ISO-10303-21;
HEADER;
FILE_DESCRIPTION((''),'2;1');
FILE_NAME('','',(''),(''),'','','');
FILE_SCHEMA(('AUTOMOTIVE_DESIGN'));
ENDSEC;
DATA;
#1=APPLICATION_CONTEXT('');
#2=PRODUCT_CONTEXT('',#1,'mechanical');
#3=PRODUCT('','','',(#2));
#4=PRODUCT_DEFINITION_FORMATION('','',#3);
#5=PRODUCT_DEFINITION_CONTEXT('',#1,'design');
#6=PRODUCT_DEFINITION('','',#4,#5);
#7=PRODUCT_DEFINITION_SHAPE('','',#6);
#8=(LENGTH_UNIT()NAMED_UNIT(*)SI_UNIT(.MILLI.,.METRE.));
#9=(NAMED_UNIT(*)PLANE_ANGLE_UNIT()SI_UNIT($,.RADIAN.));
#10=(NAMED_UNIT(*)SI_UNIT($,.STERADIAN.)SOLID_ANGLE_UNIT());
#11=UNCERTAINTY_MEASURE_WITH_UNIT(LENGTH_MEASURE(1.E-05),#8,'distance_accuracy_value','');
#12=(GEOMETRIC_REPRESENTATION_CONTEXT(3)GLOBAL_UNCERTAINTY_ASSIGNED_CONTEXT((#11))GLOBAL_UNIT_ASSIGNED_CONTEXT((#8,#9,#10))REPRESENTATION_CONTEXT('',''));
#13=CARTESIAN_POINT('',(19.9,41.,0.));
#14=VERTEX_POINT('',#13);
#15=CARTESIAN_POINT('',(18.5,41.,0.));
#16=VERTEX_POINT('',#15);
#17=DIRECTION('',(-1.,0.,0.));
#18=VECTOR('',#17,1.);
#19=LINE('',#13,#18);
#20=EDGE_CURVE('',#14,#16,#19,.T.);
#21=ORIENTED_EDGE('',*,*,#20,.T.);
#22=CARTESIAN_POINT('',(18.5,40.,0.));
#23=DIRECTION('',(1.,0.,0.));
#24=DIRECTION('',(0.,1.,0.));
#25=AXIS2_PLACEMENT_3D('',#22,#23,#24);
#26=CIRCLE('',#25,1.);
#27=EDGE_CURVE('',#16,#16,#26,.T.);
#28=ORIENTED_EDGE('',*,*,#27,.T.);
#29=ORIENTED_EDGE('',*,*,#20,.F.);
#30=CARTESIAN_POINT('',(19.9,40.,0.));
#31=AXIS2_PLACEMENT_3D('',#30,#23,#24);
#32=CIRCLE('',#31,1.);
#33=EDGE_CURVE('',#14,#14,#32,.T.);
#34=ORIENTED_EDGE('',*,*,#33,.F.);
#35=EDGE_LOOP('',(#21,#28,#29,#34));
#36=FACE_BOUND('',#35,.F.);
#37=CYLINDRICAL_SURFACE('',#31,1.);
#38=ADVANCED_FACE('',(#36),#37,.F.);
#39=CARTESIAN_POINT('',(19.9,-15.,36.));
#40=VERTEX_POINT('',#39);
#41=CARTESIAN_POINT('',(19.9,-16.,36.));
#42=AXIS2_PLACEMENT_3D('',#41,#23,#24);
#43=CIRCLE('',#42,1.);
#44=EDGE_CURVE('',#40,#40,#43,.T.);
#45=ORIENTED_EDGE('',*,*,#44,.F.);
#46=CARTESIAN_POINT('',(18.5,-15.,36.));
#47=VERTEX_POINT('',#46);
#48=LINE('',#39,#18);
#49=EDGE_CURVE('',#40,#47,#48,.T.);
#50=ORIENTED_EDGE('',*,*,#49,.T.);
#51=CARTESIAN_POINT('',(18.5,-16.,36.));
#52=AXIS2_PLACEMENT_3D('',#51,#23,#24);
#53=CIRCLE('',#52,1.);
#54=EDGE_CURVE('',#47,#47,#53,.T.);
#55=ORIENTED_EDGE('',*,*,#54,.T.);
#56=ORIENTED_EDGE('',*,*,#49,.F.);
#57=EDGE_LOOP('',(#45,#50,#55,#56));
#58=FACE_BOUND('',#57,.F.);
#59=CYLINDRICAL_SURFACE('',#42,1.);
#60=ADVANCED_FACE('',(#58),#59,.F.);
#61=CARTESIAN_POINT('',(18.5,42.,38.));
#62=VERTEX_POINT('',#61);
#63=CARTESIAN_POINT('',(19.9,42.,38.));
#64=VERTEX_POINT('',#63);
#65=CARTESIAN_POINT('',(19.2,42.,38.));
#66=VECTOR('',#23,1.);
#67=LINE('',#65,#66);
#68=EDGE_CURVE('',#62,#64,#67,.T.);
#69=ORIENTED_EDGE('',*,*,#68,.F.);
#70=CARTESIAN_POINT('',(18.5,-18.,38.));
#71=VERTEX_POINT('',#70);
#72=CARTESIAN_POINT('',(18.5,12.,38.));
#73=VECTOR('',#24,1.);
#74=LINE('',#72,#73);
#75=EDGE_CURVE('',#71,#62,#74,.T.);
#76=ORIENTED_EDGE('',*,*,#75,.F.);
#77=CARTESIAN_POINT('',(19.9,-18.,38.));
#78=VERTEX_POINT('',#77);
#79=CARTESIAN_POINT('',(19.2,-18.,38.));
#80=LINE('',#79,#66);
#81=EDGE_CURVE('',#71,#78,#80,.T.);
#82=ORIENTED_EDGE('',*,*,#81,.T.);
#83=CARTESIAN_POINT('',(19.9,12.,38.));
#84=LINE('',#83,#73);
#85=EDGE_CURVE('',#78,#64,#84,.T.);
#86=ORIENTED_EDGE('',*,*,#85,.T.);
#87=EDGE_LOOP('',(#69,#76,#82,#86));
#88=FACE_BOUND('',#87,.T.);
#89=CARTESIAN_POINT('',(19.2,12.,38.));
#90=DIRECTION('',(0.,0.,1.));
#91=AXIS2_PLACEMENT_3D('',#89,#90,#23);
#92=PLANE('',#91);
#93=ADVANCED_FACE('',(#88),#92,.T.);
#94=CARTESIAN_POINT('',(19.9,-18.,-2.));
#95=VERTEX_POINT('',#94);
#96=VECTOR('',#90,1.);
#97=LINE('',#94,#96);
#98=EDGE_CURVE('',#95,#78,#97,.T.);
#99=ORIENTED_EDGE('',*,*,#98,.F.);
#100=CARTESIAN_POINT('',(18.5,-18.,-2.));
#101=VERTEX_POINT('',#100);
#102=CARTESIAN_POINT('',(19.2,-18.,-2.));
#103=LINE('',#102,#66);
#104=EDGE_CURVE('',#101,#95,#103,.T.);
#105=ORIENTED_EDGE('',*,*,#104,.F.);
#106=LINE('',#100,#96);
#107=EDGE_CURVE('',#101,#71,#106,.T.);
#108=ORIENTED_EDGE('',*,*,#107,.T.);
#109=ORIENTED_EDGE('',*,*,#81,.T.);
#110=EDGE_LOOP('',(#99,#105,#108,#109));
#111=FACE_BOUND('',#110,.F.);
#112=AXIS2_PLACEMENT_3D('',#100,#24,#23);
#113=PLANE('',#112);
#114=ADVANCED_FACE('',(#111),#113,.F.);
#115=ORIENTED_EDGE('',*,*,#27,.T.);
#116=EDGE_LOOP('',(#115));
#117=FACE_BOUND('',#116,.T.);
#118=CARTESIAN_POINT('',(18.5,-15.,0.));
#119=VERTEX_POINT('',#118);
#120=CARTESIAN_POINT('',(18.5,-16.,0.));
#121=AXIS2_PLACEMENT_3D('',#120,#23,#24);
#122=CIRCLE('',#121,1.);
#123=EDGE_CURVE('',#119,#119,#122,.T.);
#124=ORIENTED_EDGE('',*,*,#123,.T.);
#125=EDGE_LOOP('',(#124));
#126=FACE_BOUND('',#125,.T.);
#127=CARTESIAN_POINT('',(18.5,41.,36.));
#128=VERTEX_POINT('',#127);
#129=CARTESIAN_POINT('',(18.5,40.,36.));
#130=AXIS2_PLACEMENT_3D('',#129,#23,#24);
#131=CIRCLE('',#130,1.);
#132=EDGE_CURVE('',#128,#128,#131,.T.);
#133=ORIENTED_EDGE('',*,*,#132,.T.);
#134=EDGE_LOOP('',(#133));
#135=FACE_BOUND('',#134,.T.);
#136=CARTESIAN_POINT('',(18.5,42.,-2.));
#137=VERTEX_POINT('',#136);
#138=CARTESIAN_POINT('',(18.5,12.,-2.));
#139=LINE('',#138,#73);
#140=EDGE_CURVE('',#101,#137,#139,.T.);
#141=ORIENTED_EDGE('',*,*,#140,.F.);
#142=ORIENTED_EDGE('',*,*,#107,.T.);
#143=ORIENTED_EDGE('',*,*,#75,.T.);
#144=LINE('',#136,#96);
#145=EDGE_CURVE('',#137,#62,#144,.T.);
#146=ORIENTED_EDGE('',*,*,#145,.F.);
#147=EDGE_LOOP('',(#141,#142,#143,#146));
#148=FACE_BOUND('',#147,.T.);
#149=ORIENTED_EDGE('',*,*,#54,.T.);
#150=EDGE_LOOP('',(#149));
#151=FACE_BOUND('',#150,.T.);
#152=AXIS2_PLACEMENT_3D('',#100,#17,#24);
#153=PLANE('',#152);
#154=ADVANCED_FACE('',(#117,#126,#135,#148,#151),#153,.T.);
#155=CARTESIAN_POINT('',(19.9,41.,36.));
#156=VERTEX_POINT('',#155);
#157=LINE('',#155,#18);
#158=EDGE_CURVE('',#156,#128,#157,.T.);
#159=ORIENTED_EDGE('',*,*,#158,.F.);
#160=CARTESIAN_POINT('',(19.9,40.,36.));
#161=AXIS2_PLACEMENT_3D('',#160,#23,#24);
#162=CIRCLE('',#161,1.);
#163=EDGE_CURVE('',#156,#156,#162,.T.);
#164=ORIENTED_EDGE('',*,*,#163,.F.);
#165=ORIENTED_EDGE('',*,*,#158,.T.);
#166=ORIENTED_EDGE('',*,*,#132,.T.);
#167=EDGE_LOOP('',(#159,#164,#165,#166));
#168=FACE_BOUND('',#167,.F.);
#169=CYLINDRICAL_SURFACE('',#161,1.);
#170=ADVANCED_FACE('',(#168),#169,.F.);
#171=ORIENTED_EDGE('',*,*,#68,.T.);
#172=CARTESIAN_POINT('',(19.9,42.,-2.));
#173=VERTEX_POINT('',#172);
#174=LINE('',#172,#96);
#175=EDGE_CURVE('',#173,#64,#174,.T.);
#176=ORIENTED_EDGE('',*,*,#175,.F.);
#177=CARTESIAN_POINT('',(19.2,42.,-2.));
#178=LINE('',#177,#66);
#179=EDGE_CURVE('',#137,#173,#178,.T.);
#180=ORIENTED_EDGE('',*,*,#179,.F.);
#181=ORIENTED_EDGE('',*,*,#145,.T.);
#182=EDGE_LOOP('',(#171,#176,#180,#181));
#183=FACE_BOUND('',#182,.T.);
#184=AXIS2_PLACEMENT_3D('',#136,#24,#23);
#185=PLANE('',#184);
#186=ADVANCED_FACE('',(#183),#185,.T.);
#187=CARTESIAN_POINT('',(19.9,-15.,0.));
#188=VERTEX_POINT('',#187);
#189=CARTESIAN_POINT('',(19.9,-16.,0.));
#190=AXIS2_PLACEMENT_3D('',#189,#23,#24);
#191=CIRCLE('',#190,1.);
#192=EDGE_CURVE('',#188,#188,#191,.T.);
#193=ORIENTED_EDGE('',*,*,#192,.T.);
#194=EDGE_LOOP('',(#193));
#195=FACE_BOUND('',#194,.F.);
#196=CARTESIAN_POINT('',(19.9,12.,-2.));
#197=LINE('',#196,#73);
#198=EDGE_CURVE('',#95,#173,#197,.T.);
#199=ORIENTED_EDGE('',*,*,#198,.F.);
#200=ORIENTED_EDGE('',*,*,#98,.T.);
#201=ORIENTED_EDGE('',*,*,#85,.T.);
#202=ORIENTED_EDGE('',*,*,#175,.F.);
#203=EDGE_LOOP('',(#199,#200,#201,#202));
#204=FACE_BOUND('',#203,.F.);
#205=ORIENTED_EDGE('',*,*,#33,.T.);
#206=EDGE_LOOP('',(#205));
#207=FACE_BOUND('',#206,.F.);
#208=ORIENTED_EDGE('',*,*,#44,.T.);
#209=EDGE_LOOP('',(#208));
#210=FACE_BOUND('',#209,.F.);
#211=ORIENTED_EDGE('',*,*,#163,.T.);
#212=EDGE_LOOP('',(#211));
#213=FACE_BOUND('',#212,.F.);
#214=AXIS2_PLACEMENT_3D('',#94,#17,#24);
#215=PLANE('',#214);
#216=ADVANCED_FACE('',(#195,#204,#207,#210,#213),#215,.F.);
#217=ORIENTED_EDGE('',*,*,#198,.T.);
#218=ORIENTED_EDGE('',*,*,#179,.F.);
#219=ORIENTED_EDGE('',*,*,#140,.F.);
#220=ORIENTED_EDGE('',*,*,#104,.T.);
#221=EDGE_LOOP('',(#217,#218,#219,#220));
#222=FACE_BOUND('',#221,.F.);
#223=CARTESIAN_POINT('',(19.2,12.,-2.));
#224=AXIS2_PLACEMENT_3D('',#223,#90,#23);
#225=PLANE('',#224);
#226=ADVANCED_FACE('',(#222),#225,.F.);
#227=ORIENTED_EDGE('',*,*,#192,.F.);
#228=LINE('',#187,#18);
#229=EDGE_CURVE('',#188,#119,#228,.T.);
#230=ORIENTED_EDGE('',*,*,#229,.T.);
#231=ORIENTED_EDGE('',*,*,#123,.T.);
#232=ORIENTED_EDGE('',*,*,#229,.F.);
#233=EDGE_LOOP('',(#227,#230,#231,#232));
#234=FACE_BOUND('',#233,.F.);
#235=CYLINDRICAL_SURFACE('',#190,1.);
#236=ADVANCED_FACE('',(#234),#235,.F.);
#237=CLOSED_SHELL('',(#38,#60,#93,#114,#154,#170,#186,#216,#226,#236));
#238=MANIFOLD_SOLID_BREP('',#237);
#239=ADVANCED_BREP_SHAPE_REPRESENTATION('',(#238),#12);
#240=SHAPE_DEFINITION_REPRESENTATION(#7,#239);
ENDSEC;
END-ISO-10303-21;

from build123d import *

# Parameters (mm, degrees)
SKETCH_R      = 1
EXTRUDE_DEPTH = 1.4
BOX001_W      = 1.4
BOX001_H      = 60
BOX001_DEPTH  = 40


with BuildPart() as extrude_body:
    # Sketch (on Face2 of Box001) → Extrude (new body)
    with BuildSketch(Plane.YZ.offset(1.4)):
        with Locations((2, 38)):
            Circle(SKETCH_R)
        with Locations((58, 38)):
            Circle(SKETCH_R)
        with Locations((58, 2)):
            Circle(SKETCH_R)
        with Locations((2, 2)):
            Circle(SKETCH_R)
    extrude(amount=-EXTRUDE_DEPTH)


with BuildPart() as board002:
    # Box001 → Box001 (new body)
    with BuildSketch(Plane.XY):
        with Locations((0.7, 30)):
            Rectangle(BOX001_W, BOX001_H)
    extrude(amount=BOX001_DEPTH)

    # Cut: cut Extrude body
    add(extrude_body.part, mode=Mode.SUBTRACT)


with BuildPart() as board002_1:
    # Cut placement: moved
    add(board002.part.moved(Location((18.5, -18, -2))))


solid = board002_1.part
